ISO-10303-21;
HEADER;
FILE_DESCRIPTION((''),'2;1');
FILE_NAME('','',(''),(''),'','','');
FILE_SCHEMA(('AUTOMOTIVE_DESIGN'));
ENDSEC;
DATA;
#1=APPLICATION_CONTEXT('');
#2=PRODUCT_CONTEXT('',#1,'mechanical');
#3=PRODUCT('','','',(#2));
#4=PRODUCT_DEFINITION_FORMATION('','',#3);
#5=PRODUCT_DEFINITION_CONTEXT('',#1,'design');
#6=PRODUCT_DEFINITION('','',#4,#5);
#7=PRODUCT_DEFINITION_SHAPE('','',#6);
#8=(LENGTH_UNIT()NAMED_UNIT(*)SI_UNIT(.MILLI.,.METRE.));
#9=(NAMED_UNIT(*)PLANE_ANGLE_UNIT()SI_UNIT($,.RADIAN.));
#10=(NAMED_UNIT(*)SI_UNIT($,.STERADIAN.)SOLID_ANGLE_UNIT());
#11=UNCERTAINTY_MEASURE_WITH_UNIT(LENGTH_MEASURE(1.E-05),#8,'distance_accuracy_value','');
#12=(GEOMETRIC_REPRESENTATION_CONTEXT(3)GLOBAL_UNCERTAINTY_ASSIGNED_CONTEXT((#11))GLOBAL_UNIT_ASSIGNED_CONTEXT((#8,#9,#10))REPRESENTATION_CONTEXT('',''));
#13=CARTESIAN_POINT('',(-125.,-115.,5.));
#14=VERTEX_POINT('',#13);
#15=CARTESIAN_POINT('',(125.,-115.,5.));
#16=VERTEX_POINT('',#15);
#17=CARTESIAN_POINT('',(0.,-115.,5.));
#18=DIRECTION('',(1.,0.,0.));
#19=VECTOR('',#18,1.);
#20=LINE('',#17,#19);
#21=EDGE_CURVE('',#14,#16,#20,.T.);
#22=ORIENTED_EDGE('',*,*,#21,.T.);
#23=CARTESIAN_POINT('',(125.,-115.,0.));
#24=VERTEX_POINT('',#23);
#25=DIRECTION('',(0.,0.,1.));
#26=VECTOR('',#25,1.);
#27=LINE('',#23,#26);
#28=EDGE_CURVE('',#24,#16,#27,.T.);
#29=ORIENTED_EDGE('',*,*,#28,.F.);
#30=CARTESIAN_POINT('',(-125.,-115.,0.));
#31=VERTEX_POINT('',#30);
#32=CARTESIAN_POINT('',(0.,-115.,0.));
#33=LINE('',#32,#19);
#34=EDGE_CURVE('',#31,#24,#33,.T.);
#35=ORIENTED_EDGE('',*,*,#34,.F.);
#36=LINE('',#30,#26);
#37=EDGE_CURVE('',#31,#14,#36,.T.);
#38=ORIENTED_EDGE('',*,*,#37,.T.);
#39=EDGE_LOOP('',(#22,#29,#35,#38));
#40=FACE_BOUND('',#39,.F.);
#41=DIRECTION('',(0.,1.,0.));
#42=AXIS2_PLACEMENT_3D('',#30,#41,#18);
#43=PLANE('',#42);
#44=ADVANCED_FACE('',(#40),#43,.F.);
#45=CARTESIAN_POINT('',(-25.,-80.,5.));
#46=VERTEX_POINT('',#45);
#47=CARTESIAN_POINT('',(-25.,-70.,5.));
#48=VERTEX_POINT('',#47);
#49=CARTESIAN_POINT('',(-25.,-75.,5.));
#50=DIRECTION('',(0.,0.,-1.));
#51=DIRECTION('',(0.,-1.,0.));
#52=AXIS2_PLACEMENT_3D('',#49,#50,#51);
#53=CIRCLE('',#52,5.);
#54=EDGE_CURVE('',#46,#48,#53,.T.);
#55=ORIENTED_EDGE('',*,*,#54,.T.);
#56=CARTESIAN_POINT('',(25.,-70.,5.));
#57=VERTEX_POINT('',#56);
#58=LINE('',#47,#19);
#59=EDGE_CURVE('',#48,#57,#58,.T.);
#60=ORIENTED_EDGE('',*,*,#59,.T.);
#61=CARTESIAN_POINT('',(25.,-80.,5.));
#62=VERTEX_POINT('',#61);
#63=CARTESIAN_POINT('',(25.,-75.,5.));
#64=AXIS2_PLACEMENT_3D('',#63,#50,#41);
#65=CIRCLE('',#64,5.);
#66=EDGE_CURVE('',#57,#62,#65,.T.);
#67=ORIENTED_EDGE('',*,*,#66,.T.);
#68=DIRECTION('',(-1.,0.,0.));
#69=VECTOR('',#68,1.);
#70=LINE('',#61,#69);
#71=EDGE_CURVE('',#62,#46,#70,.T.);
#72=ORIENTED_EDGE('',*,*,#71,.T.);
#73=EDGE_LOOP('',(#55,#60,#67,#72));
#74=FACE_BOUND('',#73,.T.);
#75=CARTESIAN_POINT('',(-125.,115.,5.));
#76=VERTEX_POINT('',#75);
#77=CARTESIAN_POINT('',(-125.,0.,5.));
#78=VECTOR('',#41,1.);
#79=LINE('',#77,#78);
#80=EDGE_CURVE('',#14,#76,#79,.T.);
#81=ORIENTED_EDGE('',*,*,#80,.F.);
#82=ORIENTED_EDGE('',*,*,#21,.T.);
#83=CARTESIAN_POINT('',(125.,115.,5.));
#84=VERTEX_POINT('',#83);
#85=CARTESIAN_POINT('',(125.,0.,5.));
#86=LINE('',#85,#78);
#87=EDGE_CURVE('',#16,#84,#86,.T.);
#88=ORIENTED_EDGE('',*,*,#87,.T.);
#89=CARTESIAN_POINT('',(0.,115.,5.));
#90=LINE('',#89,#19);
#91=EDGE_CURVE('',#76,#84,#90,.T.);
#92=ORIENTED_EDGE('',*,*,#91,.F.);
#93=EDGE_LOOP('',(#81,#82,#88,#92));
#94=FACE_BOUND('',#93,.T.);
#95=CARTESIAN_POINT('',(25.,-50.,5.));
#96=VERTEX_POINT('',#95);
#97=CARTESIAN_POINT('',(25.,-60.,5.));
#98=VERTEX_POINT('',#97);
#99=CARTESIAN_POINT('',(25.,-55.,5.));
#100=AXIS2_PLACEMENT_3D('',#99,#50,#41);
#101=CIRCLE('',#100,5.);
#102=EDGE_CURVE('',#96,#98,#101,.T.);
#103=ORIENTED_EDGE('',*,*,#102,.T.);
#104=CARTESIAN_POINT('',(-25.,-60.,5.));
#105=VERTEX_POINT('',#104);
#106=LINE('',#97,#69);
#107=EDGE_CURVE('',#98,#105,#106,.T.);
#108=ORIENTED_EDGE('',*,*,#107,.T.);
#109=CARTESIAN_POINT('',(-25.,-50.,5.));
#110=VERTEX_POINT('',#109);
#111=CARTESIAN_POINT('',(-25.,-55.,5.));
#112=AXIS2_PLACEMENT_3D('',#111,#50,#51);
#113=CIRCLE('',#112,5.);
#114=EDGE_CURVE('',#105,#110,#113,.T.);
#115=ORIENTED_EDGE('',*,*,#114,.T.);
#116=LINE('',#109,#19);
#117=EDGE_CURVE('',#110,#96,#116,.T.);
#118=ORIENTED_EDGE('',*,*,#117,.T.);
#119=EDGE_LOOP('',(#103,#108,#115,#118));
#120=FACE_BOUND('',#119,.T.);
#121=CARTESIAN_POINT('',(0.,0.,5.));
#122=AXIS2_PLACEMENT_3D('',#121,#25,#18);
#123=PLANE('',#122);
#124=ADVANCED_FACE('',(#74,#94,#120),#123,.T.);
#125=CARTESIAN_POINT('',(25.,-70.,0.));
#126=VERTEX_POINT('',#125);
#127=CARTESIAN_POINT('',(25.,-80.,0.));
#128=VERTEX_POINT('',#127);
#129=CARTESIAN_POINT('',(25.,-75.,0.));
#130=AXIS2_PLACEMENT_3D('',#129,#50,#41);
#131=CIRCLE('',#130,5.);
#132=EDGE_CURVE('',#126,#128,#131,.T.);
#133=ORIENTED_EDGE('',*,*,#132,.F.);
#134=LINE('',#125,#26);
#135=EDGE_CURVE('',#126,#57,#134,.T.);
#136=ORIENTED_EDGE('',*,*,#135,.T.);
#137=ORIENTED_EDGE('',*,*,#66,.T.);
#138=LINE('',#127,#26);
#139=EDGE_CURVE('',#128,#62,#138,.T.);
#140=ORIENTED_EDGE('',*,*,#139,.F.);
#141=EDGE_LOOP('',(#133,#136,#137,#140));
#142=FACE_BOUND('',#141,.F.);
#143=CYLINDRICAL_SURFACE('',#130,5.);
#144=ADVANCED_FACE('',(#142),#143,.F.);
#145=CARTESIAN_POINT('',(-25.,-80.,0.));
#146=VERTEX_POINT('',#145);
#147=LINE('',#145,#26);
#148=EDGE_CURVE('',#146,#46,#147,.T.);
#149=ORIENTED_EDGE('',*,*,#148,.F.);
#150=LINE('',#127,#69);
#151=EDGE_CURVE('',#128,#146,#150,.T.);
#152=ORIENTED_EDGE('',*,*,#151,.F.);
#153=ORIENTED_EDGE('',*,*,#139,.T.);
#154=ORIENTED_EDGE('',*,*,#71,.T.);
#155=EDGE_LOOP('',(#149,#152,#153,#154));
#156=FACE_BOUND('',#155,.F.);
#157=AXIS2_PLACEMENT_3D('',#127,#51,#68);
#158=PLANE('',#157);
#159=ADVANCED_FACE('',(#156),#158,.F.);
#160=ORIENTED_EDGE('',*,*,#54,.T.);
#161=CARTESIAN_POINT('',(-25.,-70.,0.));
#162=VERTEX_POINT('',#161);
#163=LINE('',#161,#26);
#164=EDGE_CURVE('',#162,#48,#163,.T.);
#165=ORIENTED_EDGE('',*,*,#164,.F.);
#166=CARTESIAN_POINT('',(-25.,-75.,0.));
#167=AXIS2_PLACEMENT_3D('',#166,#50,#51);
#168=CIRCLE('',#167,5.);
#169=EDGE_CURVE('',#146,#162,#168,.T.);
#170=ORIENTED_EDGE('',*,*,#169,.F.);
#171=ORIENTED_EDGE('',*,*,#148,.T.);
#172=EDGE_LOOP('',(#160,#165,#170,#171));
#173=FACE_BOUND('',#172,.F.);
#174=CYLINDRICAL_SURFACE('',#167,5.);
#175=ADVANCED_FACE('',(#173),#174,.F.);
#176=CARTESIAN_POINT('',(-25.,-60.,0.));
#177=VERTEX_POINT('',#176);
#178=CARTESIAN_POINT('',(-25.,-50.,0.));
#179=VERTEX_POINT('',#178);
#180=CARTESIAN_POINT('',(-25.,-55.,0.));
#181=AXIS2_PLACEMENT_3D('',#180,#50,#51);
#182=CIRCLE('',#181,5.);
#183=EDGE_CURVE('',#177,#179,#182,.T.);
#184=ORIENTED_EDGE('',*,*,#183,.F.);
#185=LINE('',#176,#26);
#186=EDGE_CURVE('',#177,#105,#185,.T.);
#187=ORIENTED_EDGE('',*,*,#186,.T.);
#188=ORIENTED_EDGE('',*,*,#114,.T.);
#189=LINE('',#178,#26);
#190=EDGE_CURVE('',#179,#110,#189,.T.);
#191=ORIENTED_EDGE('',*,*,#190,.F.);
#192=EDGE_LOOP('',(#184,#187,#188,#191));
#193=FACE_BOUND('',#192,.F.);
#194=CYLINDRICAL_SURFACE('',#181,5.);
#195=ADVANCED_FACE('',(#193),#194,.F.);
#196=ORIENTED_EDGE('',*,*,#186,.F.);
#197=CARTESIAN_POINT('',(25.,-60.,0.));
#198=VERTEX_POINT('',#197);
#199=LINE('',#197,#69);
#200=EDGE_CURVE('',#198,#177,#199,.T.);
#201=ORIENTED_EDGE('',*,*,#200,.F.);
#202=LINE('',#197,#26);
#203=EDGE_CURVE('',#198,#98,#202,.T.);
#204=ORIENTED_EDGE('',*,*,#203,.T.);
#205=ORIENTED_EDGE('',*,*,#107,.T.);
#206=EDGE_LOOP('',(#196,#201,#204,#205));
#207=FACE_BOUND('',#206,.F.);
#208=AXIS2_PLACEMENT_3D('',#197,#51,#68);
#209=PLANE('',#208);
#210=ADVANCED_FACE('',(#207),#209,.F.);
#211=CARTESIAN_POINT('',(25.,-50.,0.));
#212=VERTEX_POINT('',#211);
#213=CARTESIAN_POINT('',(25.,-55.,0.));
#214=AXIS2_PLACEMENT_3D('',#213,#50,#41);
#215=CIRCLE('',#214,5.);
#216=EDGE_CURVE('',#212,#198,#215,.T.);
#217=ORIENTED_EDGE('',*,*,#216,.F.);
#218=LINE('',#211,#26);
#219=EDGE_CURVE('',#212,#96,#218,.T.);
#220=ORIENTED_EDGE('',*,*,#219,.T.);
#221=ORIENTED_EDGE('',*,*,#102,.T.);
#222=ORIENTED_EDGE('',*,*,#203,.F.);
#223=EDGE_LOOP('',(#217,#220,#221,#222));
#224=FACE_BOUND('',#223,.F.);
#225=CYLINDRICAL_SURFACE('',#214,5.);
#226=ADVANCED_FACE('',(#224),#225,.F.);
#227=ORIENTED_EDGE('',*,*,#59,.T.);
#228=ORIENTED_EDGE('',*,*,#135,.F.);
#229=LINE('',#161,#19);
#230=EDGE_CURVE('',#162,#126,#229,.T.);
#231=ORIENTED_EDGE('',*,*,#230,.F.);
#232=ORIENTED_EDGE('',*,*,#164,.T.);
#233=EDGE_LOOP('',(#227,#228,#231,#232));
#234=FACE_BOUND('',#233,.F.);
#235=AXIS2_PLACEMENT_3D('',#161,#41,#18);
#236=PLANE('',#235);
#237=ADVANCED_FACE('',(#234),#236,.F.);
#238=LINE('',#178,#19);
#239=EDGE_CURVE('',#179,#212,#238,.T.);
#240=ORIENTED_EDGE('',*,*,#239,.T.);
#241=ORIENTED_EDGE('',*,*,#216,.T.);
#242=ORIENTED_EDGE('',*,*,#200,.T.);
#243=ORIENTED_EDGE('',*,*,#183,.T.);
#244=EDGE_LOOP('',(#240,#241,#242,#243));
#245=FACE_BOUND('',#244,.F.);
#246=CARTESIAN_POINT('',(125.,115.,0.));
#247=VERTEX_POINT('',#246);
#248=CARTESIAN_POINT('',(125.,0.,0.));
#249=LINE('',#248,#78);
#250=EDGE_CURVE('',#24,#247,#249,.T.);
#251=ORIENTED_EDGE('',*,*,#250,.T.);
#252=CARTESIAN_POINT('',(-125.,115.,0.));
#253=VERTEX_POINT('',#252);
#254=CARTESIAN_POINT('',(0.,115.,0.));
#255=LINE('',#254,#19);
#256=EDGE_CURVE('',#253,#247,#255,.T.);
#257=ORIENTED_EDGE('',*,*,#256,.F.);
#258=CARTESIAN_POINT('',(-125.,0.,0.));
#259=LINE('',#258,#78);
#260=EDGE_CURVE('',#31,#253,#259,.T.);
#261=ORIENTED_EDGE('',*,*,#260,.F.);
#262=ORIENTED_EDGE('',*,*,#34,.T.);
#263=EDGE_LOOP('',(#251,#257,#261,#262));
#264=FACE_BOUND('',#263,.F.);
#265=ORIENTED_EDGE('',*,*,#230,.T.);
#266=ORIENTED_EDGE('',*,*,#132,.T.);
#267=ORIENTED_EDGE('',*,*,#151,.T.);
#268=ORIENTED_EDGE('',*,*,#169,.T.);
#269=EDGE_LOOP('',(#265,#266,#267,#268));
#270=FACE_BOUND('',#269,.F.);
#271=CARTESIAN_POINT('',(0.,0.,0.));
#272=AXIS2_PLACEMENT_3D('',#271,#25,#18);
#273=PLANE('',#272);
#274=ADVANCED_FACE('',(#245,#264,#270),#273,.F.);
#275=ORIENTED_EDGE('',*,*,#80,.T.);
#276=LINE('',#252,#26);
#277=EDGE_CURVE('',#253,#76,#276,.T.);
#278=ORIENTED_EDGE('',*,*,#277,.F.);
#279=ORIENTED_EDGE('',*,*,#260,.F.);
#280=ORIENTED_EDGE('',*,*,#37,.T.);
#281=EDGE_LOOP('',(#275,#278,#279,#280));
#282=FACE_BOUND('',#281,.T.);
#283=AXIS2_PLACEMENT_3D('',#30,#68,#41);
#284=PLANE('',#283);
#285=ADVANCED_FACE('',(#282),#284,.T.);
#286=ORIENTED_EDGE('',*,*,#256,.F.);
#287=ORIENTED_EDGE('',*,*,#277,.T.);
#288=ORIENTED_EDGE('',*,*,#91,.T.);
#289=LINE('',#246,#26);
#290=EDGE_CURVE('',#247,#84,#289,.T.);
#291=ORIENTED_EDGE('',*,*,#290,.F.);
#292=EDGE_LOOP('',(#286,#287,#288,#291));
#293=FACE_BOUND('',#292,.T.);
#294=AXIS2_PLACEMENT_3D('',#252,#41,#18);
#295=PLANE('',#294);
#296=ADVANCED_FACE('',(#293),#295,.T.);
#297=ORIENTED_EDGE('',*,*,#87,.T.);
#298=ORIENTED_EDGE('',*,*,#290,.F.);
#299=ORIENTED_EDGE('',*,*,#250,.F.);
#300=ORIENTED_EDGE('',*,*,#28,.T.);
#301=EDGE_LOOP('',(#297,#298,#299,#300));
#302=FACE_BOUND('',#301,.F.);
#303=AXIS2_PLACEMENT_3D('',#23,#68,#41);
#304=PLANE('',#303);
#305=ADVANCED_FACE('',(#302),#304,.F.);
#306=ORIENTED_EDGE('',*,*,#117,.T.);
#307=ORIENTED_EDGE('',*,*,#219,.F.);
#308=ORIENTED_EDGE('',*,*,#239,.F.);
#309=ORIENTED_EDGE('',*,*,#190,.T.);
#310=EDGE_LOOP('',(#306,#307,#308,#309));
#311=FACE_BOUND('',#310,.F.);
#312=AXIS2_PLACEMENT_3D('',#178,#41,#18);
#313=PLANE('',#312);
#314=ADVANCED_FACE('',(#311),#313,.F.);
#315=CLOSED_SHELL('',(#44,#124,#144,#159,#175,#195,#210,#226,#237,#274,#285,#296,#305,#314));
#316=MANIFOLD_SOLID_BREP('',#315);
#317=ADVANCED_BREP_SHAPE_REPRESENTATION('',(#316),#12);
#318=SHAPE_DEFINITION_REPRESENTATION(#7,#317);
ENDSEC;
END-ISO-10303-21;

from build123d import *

# Parameters (mm, degrees)
F0_W     = 250
F0_H     = 230
F1_DEPTH = 5


with BuildPart() as f1:
    # F0 (on Top) → F1 (new body)
    with BuildSketch(Plane.XY):
        Rectangle(F0_W, F0_H)
        with BuildLine():
            ThreePointArc((-25, -80), (-30, -75), (-25, -70))
            Line((-25, -70), (25, -70))
            ThreePointArc((25, -70), (30, -75), (25, -80))
            Line((25, -80), (-25, -80))
        make_face(mode=Mode.SUBTRACT)
        with BuildLine():
            ThreePointArc((-25, -60), (-30, -55), (-25, -50))
            Line((-25, -50), (25, -50))
            ThreePointArc((25, -50), (30, -55), (25, -60))
            Line((25, -60), (-25, -60))
        make_face(mode=Mode.SUBTRACT)
    extrude(amount=F1_DEPTH)


solid = f1.part
